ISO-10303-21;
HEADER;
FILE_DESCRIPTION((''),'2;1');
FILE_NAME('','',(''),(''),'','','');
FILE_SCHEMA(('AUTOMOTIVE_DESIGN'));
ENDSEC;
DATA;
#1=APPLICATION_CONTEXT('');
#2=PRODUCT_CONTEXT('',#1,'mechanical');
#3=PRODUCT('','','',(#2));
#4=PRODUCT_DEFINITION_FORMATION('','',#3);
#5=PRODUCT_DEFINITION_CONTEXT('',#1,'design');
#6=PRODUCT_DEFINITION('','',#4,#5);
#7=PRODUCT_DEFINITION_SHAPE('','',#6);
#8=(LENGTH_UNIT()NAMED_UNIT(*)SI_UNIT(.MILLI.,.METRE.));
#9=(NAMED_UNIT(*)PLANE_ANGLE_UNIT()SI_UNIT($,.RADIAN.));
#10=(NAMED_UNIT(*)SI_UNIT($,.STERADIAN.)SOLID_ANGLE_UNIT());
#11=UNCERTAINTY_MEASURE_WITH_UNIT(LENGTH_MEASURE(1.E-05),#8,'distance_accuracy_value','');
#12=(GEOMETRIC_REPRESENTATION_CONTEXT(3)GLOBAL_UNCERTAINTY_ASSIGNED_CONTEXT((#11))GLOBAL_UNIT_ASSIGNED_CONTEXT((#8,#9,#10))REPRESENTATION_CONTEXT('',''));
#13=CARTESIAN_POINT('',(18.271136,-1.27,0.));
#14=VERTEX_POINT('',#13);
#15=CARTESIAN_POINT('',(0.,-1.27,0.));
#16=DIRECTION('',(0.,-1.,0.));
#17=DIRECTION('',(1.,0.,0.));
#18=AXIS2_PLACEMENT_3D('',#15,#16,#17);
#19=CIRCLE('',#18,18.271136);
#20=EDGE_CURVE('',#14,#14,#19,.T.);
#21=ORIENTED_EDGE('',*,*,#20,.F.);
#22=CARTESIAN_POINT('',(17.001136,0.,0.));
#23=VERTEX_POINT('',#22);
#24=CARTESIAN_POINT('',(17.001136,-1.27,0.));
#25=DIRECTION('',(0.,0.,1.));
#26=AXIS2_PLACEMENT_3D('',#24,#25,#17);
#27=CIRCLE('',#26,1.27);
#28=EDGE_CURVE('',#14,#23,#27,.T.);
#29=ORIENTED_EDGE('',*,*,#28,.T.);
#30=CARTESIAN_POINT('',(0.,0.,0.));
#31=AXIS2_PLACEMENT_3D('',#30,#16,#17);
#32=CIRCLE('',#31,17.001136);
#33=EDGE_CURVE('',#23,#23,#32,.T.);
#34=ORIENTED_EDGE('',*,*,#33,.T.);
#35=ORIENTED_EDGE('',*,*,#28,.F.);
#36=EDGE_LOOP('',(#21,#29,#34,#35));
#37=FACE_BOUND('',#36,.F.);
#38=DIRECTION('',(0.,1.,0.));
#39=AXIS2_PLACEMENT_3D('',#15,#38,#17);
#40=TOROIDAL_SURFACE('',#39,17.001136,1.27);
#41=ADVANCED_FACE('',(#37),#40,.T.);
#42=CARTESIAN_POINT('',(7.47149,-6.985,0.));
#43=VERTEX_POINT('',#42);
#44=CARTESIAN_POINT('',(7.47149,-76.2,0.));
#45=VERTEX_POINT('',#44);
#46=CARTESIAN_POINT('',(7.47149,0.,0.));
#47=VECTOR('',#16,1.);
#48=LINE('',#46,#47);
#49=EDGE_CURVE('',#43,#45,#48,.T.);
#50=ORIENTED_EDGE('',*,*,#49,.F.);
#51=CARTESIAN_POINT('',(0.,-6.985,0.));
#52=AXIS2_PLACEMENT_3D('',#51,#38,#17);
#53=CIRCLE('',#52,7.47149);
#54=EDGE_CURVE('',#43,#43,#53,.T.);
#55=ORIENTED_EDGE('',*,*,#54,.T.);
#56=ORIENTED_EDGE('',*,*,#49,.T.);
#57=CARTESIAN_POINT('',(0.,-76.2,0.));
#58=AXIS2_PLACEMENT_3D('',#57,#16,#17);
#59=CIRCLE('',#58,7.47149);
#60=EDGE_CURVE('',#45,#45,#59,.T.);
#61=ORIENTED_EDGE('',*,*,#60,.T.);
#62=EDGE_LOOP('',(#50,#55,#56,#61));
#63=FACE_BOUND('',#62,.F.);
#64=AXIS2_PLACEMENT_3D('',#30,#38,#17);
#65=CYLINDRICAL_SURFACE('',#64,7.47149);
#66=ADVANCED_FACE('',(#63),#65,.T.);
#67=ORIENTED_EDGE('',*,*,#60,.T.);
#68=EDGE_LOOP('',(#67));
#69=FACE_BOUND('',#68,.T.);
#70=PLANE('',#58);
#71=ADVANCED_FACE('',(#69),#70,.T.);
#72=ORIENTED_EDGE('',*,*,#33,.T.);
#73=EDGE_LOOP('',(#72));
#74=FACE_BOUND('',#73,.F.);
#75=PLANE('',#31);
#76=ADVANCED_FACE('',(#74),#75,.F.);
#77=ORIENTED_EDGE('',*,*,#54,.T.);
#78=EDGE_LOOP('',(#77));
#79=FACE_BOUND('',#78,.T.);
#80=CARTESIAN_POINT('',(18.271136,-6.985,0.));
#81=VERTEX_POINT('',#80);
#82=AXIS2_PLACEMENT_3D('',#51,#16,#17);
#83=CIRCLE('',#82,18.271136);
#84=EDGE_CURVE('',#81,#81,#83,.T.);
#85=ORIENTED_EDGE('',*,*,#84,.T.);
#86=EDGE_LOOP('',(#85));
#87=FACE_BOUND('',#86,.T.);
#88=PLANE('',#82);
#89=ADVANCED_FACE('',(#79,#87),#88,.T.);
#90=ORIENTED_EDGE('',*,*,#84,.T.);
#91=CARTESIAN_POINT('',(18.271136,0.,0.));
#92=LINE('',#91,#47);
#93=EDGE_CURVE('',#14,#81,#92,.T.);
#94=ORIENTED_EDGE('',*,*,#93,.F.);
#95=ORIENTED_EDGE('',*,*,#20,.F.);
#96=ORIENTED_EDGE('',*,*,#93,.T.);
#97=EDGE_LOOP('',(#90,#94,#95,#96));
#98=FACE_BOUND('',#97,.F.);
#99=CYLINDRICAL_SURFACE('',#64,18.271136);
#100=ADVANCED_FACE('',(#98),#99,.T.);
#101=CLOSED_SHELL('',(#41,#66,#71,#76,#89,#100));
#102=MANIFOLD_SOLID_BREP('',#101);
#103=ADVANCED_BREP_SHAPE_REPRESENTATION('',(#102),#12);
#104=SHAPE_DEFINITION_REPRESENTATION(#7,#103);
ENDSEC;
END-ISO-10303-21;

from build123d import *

# Parameters (mm, degrees)
F0_R     = 7.47149
F1_DEPTH = 76.2
F2_R     = 18.271136
F3_DEPTH = 6.985
F4_R     = 1.27


with BuildPart() as f1:
    # F0 (on Front) → F1 (new body)
    with BuildSketch(Plane.XZ):
        Circle(F0_R)
    extrude(amount=F1_DEPTH)

    # F2 (on Front) → F3 (join)
    with BuildSketch(Plane.XZ):
        Circle(F2_R)
    extrude(amount=F3_DEPTH)

    # F4
    f4_edges = [f1.edges().sort_by_distance(p)[0] for p in [
        (-18.271136, 0, 0),
    ]]
    fillet(f4_edges, radius=F4_R)


solid = f1.part
